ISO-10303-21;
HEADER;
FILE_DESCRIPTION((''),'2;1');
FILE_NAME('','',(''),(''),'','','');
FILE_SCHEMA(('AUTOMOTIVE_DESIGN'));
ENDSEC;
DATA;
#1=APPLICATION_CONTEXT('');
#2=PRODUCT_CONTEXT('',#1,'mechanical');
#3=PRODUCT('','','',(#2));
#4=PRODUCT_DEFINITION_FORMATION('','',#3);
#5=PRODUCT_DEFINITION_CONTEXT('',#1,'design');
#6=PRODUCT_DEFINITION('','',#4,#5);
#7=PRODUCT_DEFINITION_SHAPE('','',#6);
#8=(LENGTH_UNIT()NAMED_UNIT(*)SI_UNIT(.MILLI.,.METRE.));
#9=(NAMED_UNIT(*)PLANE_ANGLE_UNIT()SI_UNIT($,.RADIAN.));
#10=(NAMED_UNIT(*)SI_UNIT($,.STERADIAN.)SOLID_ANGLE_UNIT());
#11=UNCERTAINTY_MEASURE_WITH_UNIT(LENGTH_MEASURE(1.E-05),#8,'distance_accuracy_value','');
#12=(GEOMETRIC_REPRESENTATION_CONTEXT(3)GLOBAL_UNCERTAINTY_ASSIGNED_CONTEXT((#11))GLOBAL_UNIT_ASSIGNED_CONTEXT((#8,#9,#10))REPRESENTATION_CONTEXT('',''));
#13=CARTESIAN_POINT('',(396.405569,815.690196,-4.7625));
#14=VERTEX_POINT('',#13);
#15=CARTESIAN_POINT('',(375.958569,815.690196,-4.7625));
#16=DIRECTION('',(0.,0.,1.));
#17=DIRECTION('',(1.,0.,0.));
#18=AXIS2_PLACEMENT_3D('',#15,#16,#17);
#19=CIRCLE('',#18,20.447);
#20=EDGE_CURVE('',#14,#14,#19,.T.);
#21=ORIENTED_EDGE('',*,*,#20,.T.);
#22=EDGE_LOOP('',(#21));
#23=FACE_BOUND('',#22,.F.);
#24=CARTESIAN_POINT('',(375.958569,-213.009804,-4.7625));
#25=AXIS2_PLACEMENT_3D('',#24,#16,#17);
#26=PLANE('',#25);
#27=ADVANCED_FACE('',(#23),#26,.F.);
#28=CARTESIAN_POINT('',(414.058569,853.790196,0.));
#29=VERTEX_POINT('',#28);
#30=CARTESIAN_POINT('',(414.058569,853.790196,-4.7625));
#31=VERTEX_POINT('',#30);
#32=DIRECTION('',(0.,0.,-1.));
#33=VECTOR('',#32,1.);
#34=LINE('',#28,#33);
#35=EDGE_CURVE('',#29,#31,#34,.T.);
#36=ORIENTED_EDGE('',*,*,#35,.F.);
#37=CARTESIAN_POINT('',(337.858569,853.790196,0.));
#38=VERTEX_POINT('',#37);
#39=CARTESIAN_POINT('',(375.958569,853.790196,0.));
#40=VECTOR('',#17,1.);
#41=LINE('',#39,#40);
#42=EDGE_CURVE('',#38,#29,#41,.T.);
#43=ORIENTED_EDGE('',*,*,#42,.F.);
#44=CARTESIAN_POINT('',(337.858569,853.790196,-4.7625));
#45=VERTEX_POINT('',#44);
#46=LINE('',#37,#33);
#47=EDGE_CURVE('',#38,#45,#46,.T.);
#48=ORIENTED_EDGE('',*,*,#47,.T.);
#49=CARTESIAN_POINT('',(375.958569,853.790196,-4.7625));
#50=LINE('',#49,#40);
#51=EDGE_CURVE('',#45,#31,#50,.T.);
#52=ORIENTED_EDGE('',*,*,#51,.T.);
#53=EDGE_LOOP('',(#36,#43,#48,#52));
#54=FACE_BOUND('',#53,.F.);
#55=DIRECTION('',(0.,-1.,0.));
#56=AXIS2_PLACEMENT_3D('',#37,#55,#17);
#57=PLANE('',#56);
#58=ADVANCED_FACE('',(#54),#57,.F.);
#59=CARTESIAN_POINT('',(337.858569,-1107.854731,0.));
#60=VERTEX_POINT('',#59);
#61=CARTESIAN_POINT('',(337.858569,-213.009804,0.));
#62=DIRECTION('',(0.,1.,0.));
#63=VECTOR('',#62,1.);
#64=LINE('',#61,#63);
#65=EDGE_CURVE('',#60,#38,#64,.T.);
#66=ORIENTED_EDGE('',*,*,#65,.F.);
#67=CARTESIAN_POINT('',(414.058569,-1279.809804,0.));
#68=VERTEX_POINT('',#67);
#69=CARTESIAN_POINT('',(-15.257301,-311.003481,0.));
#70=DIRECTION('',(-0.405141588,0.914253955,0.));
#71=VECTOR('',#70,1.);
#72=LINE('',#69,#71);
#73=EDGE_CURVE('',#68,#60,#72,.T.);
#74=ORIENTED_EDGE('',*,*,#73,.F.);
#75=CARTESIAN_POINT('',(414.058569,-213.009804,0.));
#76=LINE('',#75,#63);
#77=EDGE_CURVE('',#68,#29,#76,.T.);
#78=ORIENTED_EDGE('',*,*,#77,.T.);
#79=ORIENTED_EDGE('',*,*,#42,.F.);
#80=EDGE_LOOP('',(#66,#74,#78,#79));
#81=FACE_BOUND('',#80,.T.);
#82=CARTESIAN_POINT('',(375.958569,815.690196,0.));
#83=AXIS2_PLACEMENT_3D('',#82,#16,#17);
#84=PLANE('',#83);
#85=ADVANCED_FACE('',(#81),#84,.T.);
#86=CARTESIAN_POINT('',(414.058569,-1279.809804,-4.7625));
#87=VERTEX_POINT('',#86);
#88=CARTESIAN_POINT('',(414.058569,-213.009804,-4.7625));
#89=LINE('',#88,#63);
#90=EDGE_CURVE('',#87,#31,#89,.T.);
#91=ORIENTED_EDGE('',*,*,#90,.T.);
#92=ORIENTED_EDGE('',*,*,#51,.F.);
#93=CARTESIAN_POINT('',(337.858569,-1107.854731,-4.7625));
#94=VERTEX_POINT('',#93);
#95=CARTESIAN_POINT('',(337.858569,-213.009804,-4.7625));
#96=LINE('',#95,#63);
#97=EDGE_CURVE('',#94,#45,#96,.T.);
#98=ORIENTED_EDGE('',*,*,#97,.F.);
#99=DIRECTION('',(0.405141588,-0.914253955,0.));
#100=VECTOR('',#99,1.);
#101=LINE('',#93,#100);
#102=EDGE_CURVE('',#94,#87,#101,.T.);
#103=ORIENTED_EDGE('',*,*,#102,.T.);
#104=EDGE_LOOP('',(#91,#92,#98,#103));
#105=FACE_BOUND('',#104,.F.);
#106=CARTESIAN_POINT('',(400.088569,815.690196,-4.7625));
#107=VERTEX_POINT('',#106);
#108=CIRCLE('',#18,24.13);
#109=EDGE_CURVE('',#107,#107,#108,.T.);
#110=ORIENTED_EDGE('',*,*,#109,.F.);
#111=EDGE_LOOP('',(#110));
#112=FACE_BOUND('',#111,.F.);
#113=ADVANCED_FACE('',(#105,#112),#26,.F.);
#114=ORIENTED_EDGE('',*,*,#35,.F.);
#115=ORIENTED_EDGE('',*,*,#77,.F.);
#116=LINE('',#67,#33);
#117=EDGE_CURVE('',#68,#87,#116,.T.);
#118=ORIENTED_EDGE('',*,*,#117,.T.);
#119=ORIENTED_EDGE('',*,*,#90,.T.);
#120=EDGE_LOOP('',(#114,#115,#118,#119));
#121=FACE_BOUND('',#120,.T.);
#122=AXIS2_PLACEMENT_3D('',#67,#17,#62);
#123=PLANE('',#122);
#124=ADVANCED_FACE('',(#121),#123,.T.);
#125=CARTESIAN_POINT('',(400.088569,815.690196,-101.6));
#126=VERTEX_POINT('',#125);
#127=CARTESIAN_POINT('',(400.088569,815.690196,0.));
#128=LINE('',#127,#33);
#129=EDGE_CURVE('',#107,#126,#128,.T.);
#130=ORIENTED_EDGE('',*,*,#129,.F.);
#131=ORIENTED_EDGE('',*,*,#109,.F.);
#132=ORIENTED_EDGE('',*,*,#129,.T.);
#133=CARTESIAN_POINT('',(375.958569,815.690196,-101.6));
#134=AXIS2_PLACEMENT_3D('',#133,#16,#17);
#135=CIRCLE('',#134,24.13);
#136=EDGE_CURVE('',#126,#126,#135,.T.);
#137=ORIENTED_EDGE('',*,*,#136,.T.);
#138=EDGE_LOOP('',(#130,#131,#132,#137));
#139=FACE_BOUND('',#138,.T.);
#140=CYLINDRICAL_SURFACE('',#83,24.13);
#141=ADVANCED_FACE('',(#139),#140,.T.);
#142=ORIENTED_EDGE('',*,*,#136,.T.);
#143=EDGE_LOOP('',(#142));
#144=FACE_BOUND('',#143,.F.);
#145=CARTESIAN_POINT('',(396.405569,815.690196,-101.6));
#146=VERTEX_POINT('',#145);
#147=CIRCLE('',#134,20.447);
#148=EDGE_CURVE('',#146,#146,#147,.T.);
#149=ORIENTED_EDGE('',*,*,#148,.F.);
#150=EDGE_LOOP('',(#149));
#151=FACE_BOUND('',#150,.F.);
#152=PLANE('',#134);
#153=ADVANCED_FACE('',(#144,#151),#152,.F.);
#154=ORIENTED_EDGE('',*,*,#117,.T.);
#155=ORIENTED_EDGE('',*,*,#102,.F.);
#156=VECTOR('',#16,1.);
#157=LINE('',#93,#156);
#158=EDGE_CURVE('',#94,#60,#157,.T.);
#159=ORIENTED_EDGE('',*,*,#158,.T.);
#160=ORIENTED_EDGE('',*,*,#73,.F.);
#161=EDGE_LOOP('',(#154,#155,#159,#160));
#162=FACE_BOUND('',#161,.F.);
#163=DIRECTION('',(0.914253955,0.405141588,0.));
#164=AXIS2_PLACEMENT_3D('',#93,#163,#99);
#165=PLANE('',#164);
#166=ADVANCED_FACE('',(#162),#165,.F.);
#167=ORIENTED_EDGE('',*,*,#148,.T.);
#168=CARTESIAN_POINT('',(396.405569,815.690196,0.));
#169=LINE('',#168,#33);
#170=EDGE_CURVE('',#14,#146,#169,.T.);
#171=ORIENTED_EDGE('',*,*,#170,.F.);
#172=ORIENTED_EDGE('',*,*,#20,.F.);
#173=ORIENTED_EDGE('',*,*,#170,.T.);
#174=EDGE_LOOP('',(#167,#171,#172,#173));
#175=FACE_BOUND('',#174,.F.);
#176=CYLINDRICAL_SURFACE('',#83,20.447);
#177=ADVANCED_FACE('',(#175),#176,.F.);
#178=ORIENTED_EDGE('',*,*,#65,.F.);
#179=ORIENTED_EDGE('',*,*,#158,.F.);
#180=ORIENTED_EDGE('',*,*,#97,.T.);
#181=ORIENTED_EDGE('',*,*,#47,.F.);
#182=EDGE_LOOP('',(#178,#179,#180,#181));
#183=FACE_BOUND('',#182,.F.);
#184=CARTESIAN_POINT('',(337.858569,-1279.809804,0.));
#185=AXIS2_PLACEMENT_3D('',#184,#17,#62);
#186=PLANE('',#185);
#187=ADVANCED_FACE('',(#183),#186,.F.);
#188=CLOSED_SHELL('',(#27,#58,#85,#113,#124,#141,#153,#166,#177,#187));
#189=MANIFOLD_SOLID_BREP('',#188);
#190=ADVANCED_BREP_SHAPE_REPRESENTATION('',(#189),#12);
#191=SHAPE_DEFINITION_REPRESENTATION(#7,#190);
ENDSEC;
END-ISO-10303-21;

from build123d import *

# Parameters (mm, degrees)
F0_W     = 76.2
F0_H     = 2133.6
F1_DEPTH = 4.7625
F2_R     = 24.13
F2_R_2   = 20.447
F3_DEPTH = 101.6
F5_DEPTH = 35.814


with BuildPart() as f1:
    # F0 (on Top) → F1 (new body)
    with BuildSketch(Plane.XY):
        with Locations((375.958569, -213.009804)):
            Rectangle(F0_W, F0_H)
    extrude(amount=-F1_DEPTH)

    # F2 (on face) → F3 (join)
    with BuildSketch(Plane.XY):
        with Locations((375.958569, 815.690196)):
            Circle(F2_R)
        with Locations((375.958569, 815.690196)):
            Circle(F2_R_2, mode=Mode.SUBTRACT)
    extrude(amount=-F3_DEPTH)

    # F4 (on face) → F5 (cut)
    with BuildSketch(Plane(origin=(0, 0, -4.7625), x_dir=(1, 0, 0), z_dir=(0, 0, -1))):
        Polygon((337.858569, 1107.854731), (414.058569, 1279.809804), (337.858569, 1279.809804), align=None)
    extrude(amount=-F5_DEPTH, mode=Mode.SUBTRACT)


solid = f1.part
